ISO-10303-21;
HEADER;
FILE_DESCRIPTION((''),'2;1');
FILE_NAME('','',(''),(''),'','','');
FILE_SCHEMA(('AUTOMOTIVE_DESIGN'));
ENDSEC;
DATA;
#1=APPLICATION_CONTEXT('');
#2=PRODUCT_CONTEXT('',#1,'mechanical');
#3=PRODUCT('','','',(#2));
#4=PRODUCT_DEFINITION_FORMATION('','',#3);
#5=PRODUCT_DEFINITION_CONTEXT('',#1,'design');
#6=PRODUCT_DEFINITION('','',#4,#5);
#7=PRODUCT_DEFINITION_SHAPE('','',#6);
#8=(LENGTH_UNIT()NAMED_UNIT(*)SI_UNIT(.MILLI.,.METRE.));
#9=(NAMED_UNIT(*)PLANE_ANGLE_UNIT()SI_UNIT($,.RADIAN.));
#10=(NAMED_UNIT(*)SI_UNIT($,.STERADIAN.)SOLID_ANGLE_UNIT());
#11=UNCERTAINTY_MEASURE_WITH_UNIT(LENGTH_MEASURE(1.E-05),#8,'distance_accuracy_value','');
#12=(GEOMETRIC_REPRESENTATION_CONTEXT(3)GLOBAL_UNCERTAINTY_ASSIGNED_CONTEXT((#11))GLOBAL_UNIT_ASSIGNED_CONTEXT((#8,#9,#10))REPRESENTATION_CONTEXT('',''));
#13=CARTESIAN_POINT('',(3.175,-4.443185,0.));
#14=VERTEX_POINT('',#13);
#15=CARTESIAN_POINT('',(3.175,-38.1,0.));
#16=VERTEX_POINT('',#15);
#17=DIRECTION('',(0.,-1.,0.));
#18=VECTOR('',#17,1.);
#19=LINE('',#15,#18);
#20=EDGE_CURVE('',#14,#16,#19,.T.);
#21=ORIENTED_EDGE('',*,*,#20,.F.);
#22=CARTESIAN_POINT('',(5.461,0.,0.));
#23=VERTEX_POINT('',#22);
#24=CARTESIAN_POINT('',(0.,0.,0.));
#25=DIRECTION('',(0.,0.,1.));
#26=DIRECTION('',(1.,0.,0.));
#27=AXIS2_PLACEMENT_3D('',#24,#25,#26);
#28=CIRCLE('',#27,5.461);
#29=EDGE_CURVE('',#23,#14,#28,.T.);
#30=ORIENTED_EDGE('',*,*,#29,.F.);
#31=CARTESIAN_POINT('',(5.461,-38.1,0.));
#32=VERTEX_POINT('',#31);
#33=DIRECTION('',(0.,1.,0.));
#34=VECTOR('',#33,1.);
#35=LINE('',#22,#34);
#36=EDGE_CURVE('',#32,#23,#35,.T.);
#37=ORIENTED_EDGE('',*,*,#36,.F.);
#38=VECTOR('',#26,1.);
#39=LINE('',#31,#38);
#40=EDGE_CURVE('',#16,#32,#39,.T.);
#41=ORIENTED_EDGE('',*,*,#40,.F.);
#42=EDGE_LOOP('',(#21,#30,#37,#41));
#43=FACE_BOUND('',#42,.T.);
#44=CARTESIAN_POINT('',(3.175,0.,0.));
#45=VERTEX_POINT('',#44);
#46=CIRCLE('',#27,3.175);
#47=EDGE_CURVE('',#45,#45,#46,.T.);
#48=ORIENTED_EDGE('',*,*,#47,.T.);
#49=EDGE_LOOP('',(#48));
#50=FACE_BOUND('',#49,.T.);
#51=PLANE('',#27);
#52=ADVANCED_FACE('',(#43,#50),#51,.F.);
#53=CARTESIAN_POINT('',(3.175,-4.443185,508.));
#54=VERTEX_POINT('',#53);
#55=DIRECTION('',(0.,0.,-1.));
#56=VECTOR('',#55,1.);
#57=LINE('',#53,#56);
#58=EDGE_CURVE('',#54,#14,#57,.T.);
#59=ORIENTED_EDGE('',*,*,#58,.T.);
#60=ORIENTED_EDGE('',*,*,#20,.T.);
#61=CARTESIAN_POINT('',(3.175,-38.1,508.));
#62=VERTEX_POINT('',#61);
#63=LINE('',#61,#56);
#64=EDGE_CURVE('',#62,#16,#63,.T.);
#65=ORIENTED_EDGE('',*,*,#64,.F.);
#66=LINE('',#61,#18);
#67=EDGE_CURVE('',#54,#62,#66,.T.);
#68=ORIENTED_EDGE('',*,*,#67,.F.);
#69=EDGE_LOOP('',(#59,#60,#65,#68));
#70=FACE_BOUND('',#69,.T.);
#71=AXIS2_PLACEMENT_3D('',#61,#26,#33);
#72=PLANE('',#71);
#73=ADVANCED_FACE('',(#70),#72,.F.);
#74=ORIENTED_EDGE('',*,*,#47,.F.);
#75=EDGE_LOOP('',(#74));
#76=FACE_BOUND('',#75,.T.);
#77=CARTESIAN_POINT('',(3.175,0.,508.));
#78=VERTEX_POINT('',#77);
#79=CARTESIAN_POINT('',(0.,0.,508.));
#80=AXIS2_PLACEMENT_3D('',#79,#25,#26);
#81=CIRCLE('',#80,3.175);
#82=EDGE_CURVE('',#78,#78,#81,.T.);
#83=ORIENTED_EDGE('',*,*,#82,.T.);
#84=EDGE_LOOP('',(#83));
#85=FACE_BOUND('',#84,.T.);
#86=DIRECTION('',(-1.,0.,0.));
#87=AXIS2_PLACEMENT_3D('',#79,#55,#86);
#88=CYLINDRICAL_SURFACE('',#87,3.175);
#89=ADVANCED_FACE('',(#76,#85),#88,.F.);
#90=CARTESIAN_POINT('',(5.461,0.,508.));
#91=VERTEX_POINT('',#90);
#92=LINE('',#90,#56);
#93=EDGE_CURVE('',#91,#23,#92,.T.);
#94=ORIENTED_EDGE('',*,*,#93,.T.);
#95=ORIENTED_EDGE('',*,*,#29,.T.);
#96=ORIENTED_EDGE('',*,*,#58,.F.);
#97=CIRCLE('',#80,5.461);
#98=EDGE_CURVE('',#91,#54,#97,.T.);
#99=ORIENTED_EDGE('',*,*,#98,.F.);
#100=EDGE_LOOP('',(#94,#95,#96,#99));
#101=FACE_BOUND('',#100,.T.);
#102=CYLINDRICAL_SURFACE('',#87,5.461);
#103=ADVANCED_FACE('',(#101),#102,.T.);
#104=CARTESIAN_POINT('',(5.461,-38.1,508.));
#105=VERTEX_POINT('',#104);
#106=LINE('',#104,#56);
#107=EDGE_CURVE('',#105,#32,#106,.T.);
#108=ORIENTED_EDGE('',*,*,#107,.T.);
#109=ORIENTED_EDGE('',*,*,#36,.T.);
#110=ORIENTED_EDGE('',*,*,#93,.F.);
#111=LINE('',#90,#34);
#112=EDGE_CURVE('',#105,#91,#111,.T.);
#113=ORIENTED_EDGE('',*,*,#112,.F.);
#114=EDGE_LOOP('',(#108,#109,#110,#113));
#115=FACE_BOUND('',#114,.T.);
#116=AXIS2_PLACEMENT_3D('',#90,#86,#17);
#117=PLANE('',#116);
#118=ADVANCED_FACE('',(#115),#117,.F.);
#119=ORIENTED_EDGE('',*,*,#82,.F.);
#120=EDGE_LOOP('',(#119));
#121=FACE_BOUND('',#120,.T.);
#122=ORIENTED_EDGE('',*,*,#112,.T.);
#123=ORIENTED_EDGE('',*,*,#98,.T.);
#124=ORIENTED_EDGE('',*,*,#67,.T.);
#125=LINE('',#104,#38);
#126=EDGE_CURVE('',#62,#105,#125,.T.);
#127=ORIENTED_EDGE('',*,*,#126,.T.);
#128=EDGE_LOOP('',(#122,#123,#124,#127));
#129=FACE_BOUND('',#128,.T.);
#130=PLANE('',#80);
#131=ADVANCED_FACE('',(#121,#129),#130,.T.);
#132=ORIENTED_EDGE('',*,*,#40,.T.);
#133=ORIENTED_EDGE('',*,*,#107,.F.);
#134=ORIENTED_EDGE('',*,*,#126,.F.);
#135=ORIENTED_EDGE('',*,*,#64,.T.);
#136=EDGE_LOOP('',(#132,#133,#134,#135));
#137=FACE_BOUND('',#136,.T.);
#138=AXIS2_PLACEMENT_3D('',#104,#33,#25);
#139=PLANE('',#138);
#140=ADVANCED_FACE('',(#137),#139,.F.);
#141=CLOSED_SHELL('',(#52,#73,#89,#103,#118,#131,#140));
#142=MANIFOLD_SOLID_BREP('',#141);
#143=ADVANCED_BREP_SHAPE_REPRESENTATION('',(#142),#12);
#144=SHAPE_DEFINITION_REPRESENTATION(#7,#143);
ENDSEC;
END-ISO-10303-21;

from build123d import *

# Parameters (mm, degrees)
SKETCH1_R           = 3.175
BOSS_EXTRUDE1_DEPTH = 508


with BuildPart() as part:
    # Sketch1 → Boss-Extrude1 (new body)
    with BuildSketch(Plane.XY):
        with BuildLine():
            Line((5.461, 0), (5.461, -38.1))
            Line((5.461, -38.1), (3.175, -38.1))
            Line((3.175, -38.1), (3.175, -4.443185344))
            ThreePointArc((3.175, -4.443185344), (-4.855985791, 2.498384078), (5.461, 0))
        make_face()
        Circle(SKETCH1_R, mode=Mode.SUBTRACT)
    extrude(amount=BOSS_EXTRUDE1_DEPTH)


solid = part.part
